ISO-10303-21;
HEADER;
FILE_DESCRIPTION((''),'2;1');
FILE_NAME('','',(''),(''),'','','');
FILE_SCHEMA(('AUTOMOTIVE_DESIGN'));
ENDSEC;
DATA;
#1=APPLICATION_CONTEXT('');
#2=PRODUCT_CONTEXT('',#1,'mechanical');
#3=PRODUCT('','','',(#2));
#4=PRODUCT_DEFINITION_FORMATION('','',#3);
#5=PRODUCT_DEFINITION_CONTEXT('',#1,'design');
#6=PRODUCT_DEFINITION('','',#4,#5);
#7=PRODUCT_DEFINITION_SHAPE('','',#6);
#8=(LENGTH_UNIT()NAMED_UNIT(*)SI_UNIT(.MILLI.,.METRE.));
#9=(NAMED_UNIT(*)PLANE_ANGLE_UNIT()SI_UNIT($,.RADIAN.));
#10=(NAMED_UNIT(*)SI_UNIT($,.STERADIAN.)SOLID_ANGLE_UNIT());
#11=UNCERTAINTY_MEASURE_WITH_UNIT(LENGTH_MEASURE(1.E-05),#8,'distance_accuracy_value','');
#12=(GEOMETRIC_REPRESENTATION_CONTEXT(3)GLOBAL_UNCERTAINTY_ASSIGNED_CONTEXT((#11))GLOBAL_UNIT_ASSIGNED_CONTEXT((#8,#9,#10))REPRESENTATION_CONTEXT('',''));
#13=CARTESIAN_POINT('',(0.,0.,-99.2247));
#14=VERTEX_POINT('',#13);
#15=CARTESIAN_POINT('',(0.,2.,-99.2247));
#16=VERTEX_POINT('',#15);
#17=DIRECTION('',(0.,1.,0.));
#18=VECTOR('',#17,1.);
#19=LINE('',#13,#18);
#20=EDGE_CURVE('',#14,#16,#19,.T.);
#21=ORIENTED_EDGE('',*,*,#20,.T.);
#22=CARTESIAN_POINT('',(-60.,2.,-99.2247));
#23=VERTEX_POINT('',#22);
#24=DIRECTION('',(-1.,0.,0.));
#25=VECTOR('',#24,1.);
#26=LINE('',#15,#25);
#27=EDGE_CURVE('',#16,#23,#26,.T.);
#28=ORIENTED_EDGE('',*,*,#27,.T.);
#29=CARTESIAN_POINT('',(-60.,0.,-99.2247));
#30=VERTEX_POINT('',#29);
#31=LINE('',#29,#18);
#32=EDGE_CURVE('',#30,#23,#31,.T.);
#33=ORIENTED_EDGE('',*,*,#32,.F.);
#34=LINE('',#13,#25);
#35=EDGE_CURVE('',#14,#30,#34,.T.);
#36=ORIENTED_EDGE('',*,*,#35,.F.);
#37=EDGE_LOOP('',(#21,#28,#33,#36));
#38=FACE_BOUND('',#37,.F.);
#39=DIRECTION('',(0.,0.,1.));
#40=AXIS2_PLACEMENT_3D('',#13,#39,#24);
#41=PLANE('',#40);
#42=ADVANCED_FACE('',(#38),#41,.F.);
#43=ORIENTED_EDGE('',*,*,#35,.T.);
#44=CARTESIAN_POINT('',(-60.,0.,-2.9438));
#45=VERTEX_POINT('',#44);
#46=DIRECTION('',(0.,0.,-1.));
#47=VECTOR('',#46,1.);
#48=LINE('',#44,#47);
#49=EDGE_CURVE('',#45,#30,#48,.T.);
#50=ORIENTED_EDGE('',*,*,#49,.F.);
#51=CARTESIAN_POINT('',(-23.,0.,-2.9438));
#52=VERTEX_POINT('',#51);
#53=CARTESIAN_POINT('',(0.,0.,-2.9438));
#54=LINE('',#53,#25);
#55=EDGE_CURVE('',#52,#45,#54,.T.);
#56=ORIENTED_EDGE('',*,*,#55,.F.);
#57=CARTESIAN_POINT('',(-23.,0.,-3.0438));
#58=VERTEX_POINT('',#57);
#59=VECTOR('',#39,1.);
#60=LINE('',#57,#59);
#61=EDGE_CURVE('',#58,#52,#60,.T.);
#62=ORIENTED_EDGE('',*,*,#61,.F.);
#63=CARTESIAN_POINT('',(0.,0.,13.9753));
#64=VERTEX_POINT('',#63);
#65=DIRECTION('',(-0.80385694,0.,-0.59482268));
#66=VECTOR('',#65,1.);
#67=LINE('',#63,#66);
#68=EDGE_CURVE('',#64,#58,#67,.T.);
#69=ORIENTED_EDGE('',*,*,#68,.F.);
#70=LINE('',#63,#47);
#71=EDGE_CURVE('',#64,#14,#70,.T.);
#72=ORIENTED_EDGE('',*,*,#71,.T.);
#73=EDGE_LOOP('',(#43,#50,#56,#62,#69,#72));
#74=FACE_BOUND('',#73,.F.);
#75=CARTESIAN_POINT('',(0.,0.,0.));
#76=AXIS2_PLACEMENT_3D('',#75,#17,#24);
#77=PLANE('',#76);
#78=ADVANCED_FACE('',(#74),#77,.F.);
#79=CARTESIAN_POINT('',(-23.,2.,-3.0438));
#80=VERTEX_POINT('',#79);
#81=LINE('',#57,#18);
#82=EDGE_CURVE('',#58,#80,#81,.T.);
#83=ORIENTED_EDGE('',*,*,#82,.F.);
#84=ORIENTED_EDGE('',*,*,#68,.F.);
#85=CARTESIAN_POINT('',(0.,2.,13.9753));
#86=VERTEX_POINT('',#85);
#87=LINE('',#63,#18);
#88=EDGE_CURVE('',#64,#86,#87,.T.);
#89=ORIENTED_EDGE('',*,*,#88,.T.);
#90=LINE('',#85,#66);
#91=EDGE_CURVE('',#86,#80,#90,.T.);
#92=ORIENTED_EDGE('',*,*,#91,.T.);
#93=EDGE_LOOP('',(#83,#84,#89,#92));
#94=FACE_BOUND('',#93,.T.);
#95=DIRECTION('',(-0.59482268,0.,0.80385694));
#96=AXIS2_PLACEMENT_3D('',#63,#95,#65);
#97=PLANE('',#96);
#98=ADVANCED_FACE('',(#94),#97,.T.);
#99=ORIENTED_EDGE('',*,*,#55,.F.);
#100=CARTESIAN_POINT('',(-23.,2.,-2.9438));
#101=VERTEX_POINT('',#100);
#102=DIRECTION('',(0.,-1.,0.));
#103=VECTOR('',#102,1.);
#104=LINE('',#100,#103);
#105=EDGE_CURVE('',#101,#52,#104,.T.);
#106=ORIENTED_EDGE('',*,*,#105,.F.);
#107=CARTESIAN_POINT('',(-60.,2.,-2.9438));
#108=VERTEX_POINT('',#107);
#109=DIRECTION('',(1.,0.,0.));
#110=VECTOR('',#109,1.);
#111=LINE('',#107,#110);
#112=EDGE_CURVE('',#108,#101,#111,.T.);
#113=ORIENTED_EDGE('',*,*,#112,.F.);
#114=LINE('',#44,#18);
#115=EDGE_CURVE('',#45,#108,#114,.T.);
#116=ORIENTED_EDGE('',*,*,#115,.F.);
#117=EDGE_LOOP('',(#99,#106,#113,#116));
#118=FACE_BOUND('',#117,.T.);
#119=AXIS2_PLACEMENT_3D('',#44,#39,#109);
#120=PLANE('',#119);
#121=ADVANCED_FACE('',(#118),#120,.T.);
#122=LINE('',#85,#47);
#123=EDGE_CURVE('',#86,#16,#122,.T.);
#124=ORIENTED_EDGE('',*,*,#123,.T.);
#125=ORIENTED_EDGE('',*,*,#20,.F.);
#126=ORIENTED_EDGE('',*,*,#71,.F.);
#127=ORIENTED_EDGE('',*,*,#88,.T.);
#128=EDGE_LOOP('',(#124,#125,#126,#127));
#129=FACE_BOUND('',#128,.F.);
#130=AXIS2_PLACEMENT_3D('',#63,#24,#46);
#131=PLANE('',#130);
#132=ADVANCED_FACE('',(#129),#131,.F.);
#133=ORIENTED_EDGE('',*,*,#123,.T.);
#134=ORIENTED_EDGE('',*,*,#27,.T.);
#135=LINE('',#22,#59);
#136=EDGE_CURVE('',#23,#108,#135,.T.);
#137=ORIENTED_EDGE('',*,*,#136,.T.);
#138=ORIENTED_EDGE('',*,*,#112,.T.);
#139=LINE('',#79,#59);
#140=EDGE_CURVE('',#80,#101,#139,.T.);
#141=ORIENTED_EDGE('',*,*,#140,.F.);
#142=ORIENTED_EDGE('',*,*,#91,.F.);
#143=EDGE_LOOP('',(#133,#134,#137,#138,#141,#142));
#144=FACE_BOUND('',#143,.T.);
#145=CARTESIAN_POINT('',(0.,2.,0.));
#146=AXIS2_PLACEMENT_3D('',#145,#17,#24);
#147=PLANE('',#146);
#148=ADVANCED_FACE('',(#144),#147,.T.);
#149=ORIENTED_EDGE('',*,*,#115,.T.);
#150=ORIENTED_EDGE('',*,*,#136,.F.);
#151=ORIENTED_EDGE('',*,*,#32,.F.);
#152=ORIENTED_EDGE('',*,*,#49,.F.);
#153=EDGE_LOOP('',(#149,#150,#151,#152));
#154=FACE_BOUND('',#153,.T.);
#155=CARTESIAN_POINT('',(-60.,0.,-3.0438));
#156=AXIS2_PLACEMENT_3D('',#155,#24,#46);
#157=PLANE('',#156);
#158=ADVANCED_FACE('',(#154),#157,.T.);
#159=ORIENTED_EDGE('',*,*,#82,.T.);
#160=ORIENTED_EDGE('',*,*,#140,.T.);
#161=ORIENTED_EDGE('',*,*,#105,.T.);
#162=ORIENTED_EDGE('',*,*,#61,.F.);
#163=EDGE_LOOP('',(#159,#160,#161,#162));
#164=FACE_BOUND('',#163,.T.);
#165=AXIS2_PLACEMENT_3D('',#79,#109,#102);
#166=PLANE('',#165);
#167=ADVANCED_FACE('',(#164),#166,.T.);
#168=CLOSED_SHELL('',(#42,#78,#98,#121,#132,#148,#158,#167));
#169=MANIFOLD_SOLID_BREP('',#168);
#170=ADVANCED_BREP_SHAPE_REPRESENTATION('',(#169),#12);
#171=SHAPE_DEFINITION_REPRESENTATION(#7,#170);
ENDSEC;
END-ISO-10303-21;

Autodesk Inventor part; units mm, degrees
ref_plane "YZ Plane" through (0, 0, 0) normal (1, 0, 0) x (0, 1, 0)
ref_plane "XZ Plane" through (0, 0, 0) normal (0, 1, 0) x (-1, 0, 0)
ref_plane "XY Plane" through (0, 0, 0) normal (0, 0, 1) x (1, 0, 0)
sketch "Sketch1" plane through (0, 0, 0) normal (0, 1, 0) x (-1, 0, 0)
  line L0 (0, 13.9753) -> (0, -99.2247)
  line L1 (0, -99.2247) -> (60, -99.2247)
  line L2 (0, 13.9753) -> (23, -3.0438)
  line L3 (23, -3.0438) -> (60, -3.0438)
  line L4 (60, -3.0438) -> (60, -99.2247)
  point P0 (0, 0)
  dimension "d0" = 113.2
  dimension "d2" = 60
  dimension "d5" = 53.5
  dimension "d6" = 37
extrude "Extrusion1" add sketch "Sketch1" along normal blind 2
sketch "Sketch2" plane through (-60, 0, -3.0438) normal (0, 0, 1) x (1, 0, 0)
  line L0 (0, 0) -> (0, 2) projected
  line L1 (60, 0) -> (0, 0) projected
  line L2 (0, 2) -> (37, 2)
  line L3 (37, 2) -> (37, 0)
  line L4 (37, 0) -> (0, 0)
  line L5 (0, 0) -> (0, 2)
  line L6 (37, 0) -> (37, 2) projected
  point P0 (37, 1)
extrude "Extrusion2" add sketch "Sketch2" along normal blind 0.1
properties part number "tapa4_3DPrint"
